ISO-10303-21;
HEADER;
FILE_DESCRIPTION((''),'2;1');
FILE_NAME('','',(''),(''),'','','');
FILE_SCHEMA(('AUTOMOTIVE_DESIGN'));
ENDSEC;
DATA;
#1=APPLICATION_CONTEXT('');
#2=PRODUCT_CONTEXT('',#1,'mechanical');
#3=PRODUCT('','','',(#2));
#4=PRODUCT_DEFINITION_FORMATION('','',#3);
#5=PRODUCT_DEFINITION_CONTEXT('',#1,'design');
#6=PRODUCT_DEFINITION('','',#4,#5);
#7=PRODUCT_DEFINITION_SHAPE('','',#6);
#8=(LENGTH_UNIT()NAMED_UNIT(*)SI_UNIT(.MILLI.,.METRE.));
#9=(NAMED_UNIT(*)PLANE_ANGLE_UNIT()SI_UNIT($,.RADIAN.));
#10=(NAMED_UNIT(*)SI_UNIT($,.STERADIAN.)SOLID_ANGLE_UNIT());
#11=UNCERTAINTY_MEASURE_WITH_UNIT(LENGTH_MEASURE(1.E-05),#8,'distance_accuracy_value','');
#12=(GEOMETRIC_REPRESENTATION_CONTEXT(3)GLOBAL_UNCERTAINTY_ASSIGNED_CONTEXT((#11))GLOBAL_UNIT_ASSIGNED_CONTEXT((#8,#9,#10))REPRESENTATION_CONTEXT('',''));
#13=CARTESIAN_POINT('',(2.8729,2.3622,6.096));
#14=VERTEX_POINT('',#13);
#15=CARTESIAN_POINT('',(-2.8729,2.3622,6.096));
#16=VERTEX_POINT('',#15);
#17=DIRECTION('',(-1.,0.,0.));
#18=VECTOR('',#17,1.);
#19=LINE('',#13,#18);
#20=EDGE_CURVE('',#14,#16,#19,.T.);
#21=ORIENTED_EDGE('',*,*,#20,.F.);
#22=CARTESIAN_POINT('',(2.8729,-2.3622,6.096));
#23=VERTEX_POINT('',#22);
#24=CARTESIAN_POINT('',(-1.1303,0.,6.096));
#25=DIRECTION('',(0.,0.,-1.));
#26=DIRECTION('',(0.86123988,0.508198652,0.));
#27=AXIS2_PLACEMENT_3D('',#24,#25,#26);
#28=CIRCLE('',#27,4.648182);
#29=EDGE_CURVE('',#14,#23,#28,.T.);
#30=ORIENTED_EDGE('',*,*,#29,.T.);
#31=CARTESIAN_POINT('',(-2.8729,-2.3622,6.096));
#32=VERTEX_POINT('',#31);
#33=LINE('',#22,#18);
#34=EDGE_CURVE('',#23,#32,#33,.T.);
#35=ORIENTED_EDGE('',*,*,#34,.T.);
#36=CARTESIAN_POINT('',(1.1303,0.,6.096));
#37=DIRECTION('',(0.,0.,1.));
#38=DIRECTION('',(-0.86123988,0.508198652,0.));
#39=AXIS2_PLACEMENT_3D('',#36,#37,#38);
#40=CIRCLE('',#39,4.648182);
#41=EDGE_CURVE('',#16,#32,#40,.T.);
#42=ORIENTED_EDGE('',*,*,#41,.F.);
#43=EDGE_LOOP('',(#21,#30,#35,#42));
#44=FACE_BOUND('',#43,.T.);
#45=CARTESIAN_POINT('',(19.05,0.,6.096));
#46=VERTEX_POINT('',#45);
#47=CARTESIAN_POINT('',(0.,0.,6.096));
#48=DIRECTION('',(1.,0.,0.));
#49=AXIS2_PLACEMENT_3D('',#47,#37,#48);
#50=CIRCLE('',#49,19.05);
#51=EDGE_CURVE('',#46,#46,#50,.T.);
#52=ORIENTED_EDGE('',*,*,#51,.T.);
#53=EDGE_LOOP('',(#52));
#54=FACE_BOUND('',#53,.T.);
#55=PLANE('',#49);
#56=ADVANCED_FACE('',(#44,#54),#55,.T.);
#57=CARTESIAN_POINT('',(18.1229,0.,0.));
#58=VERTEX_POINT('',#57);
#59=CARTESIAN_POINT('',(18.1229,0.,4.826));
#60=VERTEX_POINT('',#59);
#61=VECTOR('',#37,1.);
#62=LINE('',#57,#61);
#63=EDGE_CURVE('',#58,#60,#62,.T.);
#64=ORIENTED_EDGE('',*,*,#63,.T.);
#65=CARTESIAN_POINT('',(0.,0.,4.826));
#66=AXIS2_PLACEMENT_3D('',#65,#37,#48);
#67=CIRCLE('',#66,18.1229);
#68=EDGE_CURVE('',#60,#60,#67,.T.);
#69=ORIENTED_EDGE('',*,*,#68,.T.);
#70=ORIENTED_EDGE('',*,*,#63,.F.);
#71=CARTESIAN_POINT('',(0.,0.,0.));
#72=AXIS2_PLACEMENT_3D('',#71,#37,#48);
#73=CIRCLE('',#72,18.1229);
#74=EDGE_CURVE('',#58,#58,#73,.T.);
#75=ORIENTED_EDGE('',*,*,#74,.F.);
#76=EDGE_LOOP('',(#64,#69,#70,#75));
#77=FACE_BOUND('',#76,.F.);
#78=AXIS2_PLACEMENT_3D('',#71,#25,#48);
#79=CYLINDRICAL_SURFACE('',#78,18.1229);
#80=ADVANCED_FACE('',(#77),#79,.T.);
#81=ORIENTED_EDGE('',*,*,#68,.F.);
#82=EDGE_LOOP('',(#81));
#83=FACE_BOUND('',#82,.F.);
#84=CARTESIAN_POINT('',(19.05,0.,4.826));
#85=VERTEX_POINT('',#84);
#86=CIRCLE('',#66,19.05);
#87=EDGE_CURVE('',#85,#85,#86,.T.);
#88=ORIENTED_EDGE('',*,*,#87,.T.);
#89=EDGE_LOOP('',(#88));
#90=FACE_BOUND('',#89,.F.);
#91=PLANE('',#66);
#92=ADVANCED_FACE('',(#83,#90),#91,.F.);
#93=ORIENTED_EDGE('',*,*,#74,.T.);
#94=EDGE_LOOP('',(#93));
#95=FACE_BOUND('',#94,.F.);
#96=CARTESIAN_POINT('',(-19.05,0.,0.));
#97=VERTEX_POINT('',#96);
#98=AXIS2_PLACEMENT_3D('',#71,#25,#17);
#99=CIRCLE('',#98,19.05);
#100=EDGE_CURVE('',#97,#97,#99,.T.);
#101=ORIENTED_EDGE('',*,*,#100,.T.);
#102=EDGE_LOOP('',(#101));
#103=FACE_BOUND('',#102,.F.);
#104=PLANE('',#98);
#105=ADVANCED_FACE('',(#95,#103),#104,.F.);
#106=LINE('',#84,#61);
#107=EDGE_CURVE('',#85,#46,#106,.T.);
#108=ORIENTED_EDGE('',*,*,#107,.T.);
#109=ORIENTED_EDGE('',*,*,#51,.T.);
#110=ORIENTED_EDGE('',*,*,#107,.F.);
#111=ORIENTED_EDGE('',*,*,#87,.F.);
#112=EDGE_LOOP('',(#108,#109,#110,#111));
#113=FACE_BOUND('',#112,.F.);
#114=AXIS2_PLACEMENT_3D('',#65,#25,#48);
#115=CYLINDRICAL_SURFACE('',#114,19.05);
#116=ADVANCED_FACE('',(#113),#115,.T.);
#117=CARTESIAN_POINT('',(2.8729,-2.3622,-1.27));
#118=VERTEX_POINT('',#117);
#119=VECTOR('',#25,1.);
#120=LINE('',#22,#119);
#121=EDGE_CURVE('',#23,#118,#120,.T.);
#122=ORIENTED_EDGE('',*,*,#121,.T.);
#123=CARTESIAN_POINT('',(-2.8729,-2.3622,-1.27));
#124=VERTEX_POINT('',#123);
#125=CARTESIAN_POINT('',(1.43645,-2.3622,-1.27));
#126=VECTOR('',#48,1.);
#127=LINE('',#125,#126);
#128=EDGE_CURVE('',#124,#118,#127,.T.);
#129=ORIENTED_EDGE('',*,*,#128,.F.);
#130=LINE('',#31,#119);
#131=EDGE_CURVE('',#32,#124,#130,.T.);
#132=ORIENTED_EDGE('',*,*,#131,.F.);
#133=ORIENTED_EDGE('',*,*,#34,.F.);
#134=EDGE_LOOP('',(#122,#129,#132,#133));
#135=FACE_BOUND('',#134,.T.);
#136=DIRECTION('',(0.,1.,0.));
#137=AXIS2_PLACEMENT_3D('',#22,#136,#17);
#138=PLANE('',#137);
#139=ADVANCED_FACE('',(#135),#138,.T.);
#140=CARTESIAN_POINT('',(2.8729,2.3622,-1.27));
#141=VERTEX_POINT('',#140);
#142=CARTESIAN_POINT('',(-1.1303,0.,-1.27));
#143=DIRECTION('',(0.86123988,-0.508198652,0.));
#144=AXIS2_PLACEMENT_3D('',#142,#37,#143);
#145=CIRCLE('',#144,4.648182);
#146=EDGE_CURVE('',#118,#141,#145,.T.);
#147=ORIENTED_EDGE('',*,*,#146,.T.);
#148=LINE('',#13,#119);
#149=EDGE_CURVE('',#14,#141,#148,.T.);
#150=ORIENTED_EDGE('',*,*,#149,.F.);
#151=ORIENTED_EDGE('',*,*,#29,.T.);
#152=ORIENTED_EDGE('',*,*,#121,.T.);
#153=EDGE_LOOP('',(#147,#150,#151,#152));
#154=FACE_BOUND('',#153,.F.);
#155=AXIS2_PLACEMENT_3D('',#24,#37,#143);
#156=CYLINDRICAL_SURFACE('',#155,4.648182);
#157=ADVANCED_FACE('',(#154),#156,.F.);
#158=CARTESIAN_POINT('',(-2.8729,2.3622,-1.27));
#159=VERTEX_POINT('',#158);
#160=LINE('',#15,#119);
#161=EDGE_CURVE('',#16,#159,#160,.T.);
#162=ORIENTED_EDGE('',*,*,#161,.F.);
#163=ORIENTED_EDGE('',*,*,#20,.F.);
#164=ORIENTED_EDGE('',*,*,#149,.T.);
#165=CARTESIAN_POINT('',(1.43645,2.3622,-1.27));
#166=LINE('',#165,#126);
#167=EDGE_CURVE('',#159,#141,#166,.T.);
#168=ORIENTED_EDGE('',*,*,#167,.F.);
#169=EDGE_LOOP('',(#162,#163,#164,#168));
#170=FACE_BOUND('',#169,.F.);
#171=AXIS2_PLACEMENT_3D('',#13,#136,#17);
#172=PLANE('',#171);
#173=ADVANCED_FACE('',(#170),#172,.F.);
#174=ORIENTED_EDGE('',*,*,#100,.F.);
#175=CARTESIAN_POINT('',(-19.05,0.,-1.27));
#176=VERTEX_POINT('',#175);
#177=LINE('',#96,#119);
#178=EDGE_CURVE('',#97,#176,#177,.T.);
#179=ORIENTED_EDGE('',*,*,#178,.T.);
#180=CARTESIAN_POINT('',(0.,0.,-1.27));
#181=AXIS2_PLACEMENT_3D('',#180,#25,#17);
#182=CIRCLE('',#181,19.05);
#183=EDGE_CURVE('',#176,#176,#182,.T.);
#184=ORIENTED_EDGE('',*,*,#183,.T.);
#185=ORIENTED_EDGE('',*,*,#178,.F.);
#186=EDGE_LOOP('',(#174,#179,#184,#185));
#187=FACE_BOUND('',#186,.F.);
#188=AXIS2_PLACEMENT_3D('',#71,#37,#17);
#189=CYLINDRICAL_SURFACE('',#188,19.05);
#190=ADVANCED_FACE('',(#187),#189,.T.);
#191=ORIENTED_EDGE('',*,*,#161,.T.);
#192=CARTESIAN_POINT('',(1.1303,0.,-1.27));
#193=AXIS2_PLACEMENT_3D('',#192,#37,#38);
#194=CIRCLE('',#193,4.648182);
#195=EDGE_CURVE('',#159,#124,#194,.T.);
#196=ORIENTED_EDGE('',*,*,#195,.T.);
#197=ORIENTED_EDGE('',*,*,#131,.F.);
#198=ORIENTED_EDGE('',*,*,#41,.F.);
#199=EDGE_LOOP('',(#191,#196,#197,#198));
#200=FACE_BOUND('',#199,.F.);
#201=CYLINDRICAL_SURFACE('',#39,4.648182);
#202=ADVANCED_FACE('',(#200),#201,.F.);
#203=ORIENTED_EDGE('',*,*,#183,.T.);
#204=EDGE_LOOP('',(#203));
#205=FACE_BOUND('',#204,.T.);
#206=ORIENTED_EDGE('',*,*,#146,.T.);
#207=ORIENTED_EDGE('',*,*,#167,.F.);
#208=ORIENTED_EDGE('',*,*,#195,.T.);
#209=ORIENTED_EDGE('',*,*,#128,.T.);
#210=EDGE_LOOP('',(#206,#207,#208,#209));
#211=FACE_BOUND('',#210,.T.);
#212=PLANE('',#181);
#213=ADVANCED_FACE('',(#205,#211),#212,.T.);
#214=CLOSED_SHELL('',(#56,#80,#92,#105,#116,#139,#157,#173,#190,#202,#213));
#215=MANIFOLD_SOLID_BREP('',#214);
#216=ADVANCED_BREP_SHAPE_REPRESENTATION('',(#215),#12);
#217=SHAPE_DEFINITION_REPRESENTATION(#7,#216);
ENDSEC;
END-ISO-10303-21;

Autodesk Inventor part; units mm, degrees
ref_plane "YZ Plane" through (0, 0, 0) normal (1, 0, 0) x (0, 1, 0)
ref_plane "XZ Plane" through (0, 0, 0) normal (0, 1, 0) x (-1, 0, 0)
ref_plane "XY Plane" through (0, 0, 0) normal (0, 0, 1) x (1, 0, 0)
sketch "Sketch1" plane through (0, 0, 0) normal (0, 0, 1) x (1, 0, 0)
  circle A0 centre (0, 0) radius 18.1229
  circle A1 centre (0, 0) radius 18.9615
  dimension "d0" = 36.2458
extrude "Extrusion3" add sketch "Sketch1" along normal blind 4.826 contours A0
sketch "Sketch4" plane through (0, 0, 4.826) normal (0, 0, 1) x (1, 0, 0)
  circle A0 centre (0, 0) radius 19.05
  dimension "d17" = 38.1
extrude "Extrusion4" add sketch "Sketch4" along normal blind 1.27
sketch "Sketch5" plane through (0, 0, 0) normal (0, 0, -1) x (-1, 0, 0)
  circle A0 centre (0, 0) radius 19.05
  dimension "d18" = 38.1
extrude "Extrusion5" add sketch "Sketch5" along normal blind 1.27
sketch "Sketch6" plane through (0, 0, 6.096) normal (0, 0, 1) x (1, 0, 0)
  line L0 (2.8729, -2.3622) -> (-2.8729, -2.3622)
  line L1 (2.8729, 2.3622) -> (-2.8729, 2.3622)
  arc A0 (2.8729, -2.3622) -> (2.8729, 2.3622) centre (-1.1303, 0) ccw
  arc A1 (-2.8729, 2.3622) -> (-2.8729, -2.3622) centre (1.1303, 0) ccw
  line L2 (3.5179, 0) -> (-3.5179, 0)
  line L3 (0, 2.3622) -> (0, -2.3622)
  dimension "d23" = 4.7244
  dimension "d24" = 4.6482
  dimension "d25" = 4.6482
  dimension "d26" = 7.0358
extrude "Extrusion7" cut sketch "Sketch6" against normal blind 25.4
properties part number "big tire sumo robot"
